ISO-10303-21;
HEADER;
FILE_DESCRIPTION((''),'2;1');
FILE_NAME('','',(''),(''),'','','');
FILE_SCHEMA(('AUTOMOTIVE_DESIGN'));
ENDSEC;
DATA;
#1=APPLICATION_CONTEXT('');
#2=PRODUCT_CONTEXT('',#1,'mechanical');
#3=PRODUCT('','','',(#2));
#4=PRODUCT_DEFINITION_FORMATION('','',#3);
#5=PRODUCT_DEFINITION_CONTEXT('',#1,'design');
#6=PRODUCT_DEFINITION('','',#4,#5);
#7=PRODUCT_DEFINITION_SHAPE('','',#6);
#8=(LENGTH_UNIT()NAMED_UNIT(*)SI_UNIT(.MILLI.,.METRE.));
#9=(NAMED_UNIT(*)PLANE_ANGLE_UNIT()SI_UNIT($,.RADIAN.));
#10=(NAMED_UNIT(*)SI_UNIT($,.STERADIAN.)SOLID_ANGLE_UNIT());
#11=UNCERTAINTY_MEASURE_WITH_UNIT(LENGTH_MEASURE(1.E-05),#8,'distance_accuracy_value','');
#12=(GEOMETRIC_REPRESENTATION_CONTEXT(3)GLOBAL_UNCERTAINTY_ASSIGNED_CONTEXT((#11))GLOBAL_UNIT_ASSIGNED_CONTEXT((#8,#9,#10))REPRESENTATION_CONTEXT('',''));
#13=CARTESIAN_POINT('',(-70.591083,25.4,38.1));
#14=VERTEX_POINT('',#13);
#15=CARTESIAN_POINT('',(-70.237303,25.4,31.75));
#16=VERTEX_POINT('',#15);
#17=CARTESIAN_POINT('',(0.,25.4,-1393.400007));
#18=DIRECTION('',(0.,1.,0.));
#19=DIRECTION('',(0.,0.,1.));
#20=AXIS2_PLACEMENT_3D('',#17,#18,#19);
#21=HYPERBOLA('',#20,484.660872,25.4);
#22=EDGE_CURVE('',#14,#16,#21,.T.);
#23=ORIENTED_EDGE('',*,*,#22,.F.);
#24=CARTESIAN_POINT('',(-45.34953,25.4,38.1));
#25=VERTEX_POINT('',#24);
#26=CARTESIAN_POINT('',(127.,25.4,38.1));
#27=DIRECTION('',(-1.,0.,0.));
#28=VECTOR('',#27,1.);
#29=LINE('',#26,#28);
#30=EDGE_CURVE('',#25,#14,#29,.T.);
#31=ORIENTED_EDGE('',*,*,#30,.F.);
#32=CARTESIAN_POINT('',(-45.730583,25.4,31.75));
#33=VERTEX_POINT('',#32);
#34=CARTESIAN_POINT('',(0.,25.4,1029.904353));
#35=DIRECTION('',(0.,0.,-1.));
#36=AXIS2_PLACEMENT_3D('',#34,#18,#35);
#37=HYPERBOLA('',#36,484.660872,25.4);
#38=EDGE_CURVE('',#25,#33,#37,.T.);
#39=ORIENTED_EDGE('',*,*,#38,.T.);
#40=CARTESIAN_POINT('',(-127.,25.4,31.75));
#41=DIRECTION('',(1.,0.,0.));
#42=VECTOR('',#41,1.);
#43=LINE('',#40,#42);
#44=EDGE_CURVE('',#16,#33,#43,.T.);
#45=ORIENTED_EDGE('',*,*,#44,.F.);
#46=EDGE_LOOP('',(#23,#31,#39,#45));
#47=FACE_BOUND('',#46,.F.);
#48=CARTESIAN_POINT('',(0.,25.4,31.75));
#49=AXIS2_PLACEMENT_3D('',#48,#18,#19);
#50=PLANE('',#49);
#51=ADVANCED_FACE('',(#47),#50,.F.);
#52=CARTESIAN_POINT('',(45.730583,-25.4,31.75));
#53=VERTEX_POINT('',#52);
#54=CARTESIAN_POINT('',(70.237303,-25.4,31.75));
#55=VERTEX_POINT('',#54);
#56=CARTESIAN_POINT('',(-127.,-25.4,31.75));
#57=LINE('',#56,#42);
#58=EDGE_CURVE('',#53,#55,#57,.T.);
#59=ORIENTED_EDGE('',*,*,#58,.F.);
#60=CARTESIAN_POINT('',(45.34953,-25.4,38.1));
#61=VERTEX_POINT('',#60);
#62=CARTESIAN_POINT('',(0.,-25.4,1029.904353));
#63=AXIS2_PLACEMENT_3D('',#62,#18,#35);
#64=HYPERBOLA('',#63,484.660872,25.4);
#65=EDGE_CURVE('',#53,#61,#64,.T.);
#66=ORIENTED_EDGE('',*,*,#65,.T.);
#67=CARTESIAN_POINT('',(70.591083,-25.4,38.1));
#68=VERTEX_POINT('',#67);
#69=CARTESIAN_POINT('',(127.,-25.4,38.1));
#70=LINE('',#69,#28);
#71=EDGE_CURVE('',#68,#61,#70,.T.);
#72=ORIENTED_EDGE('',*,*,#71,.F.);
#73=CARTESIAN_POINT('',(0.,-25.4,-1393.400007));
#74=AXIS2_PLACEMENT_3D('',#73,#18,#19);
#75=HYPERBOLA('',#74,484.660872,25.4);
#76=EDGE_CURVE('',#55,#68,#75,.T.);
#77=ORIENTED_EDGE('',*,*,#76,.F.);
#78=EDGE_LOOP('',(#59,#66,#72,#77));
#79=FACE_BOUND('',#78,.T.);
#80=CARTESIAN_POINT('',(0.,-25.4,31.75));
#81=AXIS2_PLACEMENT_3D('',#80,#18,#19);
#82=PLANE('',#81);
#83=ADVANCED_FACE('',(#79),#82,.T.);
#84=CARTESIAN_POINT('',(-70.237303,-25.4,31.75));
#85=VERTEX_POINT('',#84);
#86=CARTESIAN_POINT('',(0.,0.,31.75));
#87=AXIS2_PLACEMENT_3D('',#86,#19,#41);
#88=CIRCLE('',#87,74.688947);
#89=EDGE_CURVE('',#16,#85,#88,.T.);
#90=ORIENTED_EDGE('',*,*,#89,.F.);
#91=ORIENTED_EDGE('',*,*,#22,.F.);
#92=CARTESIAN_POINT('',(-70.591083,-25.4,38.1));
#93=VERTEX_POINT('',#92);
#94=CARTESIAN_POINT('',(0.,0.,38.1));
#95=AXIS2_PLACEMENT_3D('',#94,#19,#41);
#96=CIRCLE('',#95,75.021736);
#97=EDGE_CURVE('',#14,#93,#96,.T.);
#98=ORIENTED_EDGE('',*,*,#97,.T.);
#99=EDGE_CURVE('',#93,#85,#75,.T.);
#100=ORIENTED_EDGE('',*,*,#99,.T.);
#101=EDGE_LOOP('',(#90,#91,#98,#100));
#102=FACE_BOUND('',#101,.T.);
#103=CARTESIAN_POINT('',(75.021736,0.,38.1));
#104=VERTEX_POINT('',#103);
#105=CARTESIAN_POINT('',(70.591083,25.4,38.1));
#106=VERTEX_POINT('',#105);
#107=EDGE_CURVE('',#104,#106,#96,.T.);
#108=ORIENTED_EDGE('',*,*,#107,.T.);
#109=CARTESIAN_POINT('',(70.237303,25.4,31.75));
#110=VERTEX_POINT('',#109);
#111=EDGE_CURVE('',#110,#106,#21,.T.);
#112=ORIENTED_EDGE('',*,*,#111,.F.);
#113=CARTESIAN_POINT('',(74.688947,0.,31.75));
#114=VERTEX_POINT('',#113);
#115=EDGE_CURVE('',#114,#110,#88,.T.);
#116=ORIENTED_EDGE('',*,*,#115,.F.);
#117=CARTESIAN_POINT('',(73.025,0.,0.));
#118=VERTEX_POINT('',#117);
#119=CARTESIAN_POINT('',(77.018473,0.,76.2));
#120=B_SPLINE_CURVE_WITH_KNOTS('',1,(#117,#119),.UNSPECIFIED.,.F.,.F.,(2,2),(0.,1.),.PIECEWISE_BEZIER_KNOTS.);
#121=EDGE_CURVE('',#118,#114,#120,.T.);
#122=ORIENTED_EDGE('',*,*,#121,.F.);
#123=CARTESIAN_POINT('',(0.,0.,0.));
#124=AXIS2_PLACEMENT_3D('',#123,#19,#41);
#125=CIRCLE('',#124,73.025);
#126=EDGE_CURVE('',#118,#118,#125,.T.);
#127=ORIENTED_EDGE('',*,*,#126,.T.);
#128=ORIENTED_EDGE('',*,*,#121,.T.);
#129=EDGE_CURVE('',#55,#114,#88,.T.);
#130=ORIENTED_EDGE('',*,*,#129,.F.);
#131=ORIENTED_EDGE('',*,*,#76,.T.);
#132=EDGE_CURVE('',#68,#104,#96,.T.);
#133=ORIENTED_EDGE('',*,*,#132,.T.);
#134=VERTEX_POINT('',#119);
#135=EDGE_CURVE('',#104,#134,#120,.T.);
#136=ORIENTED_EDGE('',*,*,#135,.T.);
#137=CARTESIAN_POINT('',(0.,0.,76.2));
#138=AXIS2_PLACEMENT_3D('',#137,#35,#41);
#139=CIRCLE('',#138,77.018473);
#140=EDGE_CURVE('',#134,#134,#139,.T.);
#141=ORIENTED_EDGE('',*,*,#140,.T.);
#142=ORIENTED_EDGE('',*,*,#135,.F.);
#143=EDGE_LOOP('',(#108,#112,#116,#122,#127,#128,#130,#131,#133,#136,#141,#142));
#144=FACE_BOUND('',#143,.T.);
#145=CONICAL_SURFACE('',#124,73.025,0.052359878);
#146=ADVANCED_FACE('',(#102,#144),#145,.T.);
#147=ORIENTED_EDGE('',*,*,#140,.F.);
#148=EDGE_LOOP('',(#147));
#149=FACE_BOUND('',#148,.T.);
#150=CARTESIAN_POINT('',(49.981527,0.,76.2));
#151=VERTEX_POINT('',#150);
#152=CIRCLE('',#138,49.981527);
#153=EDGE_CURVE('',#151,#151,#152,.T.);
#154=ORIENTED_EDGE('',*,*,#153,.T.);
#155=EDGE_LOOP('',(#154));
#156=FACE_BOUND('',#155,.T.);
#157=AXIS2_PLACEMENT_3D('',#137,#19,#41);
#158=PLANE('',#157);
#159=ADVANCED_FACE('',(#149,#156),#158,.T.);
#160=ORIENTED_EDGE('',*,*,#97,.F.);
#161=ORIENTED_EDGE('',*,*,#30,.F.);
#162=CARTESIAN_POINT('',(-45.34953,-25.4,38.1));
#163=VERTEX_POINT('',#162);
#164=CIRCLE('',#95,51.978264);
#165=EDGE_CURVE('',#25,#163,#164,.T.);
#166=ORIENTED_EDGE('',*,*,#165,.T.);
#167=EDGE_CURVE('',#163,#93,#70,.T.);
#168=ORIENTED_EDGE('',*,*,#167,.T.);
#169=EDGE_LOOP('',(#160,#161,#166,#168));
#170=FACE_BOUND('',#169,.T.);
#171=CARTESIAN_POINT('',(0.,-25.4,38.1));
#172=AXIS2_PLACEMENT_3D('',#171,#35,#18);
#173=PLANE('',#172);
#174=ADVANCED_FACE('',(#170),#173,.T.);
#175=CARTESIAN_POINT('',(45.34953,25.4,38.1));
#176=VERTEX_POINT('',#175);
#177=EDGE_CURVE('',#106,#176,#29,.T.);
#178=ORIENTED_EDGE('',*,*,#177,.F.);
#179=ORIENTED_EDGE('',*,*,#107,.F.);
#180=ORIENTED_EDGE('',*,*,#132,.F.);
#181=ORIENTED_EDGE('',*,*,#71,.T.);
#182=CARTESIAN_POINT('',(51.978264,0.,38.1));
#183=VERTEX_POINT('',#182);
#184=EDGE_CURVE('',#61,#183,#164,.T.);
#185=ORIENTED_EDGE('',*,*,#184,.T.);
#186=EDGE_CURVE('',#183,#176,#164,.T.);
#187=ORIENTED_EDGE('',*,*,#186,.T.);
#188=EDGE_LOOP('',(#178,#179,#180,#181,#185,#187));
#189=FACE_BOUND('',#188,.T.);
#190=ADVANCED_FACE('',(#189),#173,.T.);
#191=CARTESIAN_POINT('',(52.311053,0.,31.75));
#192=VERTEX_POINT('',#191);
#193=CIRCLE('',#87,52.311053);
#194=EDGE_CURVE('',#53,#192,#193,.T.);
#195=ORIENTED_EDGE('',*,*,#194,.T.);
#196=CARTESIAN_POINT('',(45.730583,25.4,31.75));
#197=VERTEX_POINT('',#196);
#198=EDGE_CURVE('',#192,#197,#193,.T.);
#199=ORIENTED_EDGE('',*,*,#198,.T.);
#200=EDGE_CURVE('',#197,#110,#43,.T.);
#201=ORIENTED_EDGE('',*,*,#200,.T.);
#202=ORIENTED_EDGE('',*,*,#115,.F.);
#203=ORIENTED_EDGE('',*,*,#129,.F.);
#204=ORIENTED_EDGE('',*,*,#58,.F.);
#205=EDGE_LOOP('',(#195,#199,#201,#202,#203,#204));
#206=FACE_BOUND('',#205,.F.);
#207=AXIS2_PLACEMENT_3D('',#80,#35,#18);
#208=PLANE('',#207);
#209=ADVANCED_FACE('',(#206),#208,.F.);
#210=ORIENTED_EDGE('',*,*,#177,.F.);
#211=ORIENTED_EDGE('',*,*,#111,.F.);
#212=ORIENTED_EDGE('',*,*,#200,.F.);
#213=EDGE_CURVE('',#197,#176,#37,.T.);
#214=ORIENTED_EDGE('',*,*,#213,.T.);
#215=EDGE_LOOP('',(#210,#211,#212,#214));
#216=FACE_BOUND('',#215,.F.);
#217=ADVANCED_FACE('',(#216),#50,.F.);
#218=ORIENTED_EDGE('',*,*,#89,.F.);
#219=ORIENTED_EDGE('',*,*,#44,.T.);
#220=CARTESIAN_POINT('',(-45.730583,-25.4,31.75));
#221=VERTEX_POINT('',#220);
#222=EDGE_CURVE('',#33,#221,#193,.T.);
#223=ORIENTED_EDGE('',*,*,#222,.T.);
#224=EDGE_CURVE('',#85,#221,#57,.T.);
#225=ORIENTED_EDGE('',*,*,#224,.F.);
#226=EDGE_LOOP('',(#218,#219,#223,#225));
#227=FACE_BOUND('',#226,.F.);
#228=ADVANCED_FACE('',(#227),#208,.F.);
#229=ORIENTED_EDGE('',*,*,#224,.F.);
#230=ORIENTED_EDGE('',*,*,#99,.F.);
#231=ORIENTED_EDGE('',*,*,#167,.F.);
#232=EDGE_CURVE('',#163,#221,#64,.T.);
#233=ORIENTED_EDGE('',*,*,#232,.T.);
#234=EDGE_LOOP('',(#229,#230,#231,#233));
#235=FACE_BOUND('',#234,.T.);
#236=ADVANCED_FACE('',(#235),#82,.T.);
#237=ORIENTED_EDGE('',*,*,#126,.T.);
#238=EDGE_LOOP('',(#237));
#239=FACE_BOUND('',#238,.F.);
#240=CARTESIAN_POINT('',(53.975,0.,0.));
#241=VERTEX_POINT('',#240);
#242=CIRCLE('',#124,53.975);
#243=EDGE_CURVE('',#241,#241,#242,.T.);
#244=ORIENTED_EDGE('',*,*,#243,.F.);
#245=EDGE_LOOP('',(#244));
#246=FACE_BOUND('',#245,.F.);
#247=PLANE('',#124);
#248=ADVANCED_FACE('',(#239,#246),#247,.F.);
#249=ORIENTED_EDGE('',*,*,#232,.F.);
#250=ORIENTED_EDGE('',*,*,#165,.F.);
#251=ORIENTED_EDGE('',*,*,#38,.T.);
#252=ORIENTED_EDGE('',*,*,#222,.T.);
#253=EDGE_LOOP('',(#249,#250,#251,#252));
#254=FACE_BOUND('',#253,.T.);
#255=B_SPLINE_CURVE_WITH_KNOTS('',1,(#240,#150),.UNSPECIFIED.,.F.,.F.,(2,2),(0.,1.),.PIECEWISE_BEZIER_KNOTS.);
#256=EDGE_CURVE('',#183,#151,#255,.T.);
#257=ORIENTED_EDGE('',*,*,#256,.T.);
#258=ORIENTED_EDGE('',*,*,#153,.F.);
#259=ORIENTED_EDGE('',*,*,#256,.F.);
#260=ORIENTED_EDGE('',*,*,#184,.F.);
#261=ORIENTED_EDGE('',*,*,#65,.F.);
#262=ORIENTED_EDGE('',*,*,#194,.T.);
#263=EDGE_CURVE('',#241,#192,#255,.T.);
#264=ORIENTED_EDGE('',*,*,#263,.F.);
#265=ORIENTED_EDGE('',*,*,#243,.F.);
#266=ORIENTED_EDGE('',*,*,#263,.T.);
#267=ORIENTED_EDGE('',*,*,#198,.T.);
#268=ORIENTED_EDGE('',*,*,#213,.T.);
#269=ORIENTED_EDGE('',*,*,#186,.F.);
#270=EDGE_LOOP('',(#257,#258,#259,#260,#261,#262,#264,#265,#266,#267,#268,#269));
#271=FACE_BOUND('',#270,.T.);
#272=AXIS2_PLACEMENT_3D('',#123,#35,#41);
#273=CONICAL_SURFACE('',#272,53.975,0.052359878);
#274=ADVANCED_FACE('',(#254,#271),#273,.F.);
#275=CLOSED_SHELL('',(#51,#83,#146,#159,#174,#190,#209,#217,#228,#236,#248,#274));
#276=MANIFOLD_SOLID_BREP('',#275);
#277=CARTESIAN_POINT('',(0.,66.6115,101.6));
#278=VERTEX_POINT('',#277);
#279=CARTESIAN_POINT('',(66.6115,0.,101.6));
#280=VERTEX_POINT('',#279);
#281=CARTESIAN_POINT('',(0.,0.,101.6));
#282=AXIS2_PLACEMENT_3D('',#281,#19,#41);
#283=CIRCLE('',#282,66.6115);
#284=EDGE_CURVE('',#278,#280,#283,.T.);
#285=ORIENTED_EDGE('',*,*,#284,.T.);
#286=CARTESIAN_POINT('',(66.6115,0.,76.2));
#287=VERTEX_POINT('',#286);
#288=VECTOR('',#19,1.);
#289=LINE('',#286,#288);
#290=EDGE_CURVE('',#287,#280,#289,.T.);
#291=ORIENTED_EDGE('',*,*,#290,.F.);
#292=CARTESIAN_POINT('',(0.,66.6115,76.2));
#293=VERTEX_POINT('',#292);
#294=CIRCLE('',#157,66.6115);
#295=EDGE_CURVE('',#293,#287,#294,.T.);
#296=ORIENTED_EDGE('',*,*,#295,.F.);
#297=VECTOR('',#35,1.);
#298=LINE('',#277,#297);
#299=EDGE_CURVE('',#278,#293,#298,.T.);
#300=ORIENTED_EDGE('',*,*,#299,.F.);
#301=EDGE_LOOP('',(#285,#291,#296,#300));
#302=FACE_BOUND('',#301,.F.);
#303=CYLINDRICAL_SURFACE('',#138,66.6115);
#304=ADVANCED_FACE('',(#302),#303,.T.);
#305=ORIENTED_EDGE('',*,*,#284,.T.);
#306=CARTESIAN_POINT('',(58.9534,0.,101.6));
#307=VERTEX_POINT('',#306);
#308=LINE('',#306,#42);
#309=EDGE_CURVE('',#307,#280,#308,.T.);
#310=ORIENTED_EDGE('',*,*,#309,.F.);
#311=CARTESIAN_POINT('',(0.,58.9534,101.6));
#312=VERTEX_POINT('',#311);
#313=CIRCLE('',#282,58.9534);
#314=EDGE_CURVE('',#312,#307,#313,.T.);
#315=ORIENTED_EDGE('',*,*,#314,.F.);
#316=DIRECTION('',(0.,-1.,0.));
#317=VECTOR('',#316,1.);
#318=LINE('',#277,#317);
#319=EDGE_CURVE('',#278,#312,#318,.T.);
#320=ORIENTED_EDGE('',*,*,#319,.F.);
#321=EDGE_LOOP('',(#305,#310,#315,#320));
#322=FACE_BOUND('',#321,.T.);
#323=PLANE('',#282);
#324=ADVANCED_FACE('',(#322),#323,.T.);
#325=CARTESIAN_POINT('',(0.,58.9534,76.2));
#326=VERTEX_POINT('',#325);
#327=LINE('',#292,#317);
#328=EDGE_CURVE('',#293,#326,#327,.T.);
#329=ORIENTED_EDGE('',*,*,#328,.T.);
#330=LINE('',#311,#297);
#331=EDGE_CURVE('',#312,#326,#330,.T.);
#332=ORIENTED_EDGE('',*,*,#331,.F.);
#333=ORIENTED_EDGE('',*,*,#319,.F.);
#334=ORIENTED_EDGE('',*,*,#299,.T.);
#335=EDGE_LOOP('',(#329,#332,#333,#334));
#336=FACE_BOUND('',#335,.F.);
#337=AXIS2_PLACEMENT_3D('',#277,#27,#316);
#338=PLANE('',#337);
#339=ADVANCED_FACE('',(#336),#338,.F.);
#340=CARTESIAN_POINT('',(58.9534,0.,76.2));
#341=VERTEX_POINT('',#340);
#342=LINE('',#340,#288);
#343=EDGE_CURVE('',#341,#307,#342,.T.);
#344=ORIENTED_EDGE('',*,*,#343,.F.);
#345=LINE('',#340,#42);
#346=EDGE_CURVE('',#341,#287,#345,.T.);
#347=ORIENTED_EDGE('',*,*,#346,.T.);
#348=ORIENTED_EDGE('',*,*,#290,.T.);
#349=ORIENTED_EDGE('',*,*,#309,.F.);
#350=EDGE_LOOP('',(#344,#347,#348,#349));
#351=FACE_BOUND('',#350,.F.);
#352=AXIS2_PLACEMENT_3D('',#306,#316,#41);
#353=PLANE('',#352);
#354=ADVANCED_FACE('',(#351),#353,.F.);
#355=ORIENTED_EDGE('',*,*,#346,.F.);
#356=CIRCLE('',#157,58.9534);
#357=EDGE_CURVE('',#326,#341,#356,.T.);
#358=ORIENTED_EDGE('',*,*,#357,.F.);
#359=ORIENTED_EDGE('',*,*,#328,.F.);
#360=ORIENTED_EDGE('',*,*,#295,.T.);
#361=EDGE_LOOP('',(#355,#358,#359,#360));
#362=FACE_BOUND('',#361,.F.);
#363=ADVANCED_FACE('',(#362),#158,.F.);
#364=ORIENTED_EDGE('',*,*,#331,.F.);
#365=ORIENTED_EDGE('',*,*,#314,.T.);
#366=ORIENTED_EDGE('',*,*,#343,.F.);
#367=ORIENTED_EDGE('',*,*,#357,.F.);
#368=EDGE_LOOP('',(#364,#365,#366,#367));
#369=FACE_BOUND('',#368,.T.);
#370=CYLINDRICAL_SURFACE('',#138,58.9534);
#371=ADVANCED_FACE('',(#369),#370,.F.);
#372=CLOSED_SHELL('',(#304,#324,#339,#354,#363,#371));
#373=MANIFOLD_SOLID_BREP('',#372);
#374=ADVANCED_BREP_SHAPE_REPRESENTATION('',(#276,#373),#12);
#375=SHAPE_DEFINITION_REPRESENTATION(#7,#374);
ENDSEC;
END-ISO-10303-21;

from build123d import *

# Parameters (mm, degrees)
F0_R     = 73.025
F0_R_2   = 53.975
F1_DEPTH = 76.2
F1_TAPER = -3
F2_R     = 66.6115
F2_R_2   = 58.9534
F3_DEPTH = 25.4
F5_DEPTH = 25.4
F6_W     = 50.8
F6_H     = 6.35
F7_DEPTH = 127


with BuildPart() as f1:
    # F0 (on Top) → F1 (new body)
    with BuildSketch(Plane.XY):
        Circle(F0_R)
        Circle(F0_R_2, mode=Mode.SUBTRACT)
    extrude(amount=F1_DEPTH, taper=F1_TAPER)

    # F6 (on Right) → F7 (cut, symmetric)
    with BuildSketch(Plane.YZ):
        with Locations((0, 34.925)):
            Rectangle(F6_W, F6_H)
    extrude(amount=F7_DEPTH, both=True, mode=Mode.SUBTRACT)


with BuildPart() as f3:
    # F2 (on face) → F3 (new body)
    with BuildSketch(Plane.XY.offset(76.2)):
        Circle(F2_R)
        Circle(F2_R_2, mode=Mode.SUBTRACT)
    extrude(amount=F3_DEPTH)

    # F4 (on face) → F5 (cut)
    with BuildSketch(Plane.XY.offset(101.6)):
        with BuildLine():
            ThreePointArc((0, 58.9534), (41.686348914, 41.686348914), (58.9534, 0))
            Line((58.9534, 0), (66.6115, 0))
            ThreePointArc((66.6115, 0), (47.101443355, 47.101443355), (0, 66.6115))
            Line((0, 66.6115), (0, 58.9534))
        make_face()
    extrude(amount=-F5_DEPTH, mode=Mode.SUBTRACT)


solid = Compound([f1.part, f3.part])
